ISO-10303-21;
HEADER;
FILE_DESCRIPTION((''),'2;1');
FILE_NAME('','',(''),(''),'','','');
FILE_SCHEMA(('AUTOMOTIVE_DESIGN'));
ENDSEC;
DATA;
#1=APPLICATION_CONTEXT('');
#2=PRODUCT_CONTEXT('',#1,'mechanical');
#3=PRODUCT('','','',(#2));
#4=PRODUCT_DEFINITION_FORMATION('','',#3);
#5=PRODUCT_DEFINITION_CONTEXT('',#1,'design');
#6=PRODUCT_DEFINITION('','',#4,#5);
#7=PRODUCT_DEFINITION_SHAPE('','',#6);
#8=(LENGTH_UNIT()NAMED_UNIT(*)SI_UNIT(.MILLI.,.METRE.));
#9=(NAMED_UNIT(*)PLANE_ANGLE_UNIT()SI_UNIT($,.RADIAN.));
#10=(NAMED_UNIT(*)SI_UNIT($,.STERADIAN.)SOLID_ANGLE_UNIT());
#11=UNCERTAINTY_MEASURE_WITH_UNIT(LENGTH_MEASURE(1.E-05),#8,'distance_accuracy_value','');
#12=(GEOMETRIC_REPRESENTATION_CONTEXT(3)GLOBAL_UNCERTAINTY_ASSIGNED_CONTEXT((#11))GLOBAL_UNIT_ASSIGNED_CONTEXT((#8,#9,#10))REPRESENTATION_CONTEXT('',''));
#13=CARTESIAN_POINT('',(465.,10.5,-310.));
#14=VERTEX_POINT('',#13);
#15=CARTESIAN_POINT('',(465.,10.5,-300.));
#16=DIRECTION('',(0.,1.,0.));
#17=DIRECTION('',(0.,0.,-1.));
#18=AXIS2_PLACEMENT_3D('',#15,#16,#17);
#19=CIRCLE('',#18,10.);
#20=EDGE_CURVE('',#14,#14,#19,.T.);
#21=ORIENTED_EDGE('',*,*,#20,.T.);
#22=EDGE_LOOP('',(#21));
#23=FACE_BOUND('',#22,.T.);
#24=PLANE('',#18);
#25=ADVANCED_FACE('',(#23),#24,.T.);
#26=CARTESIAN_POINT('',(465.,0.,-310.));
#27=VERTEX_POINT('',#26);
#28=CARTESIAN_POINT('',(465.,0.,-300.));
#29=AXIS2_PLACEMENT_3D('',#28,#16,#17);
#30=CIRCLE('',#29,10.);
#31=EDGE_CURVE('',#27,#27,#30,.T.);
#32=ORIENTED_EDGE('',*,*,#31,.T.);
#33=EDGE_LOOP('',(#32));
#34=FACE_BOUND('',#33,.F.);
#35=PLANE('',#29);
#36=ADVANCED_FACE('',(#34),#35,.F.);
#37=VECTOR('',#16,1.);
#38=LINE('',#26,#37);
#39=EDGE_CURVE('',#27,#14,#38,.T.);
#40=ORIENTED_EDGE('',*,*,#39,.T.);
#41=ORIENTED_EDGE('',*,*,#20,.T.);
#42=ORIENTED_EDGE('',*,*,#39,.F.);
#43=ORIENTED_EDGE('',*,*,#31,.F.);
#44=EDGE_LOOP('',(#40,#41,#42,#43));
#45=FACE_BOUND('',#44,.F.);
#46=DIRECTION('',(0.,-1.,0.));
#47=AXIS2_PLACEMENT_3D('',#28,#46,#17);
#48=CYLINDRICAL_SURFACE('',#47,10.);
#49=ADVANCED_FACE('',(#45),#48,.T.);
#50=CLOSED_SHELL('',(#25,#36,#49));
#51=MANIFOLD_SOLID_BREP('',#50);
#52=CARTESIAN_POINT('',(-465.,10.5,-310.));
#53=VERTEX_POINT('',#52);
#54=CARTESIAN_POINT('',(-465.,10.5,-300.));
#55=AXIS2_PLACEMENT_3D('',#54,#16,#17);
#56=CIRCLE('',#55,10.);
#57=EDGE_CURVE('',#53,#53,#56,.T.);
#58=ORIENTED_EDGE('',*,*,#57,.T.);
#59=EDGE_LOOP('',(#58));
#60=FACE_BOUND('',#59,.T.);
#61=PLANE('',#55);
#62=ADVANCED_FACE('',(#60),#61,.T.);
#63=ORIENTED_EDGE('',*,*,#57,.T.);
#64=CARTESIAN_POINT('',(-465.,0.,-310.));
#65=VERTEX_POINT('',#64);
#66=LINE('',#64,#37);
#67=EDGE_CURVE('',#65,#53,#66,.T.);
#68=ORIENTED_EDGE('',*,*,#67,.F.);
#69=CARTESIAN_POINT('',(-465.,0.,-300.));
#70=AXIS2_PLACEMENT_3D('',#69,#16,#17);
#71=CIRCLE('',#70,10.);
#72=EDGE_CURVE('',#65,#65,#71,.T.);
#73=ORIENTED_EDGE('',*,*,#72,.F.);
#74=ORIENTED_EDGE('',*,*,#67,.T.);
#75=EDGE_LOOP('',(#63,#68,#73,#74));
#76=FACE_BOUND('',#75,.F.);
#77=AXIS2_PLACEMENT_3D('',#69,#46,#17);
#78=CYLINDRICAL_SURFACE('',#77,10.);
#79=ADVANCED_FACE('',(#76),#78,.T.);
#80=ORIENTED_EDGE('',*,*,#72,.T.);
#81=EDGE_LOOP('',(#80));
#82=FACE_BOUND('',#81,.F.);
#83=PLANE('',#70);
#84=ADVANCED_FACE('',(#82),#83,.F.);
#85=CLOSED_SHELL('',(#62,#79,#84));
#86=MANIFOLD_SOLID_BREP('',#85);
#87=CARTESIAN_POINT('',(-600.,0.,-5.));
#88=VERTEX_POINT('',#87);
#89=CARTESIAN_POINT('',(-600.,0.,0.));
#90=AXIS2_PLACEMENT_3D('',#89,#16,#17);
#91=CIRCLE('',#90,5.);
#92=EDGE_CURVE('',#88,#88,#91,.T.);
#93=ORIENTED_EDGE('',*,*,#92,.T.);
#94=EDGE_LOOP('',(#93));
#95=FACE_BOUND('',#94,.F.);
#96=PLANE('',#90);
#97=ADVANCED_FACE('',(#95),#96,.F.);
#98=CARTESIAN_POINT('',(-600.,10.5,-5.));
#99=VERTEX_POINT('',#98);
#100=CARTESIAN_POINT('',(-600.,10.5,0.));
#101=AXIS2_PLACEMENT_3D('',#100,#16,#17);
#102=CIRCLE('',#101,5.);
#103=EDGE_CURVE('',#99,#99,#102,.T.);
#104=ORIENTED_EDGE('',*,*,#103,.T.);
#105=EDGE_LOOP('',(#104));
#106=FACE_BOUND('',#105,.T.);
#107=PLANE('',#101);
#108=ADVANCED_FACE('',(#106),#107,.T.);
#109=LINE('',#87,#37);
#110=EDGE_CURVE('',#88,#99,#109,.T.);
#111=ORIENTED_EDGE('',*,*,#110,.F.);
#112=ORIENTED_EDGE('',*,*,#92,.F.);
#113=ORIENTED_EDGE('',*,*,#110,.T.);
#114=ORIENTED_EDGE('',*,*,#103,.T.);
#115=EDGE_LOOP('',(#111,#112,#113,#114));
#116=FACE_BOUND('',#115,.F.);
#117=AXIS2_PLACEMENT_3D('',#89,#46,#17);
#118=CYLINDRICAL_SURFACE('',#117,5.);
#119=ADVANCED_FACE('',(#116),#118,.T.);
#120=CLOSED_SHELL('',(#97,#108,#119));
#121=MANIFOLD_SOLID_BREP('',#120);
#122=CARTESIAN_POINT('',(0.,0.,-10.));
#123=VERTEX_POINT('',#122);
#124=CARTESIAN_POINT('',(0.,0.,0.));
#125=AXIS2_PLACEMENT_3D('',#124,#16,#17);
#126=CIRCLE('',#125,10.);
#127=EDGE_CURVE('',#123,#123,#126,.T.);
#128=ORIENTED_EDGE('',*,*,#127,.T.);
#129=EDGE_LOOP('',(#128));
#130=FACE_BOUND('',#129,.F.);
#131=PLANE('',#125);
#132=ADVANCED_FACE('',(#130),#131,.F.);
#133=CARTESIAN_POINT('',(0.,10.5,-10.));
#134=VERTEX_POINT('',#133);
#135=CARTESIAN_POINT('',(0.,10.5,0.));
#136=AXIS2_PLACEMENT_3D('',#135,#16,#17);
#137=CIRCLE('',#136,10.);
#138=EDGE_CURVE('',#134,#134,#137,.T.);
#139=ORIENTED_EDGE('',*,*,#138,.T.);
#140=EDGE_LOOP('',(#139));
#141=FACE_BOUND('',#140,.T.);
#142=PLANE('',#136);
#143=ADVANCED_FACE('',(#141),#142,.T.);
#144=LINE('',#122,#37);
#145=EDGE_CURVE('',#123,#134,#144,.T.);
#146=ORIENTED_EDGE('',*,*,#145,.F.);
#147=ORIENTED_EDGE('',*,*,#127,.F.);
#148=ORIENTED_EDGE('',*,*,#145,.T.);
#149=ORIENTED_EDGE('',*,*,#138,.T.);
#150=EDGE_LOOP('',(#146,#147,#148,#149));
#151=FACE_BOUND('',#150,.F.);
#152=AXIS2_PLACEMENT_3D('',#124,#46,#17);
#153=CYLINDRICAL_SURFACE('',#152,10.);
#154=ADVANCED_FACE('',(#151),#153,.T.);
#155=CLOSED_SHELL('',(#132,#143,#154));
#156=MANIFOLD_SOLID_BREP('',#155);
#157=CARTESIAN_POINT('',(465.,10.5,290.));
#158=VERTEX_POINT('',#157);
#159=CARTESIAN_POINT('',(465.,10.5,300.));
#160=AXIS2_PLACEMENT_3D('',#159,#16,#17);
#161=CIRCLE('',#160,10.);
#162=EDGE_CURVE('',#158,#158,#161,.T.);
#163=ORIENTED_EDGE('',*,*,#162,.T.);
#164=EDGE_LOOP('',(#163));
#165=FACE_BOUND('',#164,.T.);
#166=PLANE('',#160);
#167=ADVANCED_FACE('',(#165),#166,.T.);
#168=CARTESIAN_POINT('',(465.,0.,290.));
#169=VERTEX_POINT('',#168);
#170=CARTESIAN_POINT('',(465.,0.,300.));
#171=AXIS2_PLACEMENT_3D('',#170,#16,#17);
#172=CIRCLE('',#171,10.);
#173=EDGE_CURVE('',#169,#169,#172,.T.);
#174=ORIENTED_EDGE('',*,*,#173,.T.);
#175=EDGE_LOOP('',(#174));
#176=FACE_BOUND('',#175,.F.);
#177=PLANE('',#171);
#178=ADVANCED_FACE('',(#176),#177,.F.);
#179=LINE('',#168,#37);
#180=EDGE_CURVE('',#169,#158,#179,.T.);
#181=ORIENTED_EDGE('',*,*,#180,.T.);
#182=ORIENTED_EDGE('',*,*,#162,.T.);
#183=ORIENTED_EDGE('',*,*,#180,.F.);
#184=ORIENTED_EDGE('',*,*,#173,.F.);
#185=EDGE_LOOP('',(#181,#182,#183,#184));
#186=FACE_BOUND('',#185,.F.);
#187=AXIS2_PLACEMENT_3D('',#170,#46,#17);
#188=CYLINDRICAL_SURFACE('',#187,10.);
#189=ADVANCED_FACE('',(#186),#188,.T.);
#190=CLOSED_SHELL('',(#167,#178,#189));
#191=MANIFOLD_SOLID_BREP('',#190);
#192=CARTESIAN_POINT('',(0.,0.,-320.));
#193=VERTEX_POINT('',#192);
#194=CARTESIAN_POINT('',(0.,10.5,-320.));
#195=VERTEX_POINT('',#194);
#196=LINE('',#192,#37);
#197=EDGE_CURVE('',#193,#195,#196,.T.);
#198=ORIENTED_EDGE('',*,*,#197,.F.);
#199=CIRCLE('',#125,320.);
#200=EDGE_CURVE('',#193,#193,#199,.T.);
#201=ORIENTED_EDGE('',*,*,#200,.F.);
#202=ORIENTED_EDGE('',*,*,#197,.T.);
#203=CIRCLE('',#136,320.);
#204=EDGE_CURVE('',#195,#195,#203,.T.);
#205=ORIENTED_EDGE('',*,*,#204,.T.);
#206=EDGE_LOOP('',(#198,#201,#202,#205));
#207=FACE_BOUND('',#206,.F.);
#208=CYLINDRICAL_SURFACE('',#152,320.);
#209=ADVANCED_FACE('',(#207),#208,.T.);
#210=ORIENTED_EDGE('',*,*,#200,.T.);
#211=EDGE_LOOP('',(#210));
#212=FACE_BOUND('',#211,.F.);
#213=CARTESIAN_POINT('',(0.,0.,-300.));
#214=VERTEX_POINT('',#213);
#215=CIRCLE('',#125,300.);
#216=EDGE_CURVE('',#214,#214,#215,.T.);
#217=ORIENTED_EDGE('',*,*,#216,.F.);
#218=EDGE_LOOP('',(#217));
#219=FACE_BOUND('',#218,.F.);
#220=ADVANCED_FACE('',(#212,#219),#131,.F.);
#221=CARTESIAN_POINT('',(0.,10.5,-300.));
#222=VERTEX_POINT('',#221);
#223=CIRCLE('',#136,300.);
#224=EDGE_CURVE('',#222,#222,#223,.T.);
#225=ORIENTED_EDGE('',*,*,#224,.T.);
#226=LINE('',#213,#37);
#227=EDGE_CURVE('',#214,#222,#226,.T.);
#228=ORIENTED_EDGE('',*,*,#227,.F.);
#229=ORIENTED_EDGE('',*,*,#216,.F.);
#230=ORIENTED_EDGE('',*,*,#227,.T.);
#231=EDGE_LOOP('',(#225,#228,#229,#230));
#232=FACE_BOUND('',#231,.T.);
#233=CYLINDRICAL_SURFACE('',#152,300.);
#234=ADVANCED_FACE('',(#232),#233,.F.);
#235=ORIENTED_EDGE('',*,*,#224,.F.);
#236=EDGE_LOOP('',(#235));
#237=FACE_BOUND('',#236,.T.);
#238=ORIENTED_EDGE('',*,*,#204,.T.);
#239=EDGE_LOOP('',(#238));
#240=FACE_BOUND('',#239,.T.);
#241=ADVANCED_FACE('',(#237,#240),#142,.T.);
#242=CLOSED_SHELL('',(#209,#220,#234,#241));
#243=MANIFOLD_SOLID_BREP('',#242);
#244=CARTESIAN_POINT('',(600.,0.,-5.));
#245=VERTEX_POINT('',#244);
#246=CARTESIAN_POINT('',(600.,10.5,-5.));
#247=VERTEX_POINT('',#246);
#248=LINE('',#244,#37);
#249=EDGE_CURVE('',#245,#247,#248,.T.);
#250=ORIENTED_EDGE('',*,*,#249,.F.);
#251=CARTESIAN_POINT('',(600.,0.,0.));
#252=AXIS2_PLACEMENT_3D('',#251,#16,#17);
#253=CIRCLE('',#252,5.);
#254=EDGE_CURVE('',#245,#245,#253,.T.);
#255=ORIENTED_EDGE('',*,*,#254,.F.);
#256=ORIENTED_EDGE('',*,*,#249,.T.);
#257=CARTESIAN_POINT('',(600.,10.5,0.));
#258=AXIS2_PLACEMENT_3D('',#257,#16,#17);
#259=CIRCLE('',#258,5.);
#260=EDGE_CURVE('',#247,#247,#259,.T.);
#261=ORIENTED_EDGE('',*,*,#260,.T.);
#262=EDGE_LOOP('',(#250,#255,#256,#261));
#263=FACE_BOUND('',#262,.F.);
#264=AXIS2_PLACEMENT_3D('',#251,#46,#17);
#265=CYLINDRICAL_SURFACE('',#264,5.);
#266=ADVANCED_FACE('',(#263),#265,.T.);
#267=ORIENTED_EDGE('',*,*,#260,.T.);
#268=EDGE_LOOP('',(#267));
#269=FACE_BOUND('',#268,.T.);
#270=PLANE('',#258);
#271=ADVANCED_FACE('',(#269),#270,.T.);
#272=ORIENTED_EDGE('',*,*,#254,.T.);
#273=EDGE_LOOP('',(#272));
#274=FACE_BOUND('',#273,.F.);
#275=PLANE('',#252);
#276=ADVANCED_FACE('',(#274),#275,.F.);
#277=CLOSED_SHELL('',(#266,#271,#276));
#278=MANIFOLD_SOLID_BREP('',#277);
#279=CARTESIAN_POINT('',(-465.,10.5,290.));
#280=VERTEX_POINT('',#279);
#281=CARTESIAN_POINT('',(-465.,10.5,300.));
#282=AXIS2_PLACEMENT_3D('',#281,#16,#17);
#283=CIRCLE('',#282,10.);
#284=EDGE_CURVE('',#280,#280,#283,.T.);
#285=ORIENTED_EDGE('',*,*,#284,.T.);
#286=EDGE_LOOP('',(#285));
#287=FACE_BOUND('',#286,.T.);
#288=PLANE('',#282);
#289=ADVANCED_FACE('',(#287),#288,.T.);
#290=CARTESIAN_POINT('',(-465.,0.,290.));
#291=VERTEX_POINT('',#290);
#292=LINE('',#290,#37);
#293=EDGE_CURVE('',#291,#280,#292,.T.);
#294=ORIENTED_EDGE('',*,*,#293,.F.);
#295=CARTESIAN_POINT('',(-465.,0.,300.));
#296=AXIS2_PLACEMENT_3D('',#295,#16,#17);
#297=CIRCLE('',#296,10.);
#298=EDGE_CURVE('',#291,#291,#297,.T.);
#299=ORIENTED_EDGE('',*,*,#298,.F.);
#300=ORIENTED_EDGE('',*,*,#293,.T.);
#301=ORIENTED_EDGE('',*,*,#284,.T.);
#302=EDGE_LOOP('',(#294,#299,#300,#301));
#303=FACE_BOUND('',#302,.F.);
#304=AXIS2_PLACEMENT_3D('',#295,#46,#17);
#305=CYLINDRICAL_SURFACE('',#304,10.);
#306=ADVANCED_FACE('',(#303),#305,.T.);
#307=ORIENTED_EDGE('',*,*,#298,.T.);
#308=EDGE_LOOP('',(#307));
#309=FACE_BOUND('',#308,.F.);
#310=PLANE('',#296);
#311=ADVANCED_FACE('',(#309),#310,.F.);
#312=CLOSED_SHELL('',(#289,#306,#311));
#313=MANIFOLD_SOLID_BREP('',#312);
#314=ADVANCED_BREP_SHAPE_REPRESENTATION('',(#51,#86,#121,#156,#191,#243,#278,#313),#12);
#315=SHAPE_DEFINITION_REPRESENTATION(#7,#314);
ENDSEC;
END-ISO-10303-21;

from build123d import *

# Parameters (mm, degrees)
SKETCH_1_R        = 10
EXTRUDE_1_DEPTH   = 10.5
EXTRUDE_1_2_DEPTH = 10.5
EXTRUDE_1_3_DEPTH = 10.5
EXTRUDE_1_4_DEPTH = 10.5
EXTRUDE_1_5_DEPTH = 10.5
SKETCH_1_R_2      = 5
EXTRUDE_1_6_DEPTH = 10.5
EXTRUDE_1_7_DEPTH = 10.5
SKETCH_1_R_3      = 320
SKETCH_1_R_4      = 300
EXTRUDE_1_8_DEPTH = 10.5


with BuildPart() as part:
    # Эскиз1 → Выдавливание1 (new body)
    with BuildSketch(Plane(origin=(0, 0, 0), x_dir=(-1, 0, 0), z_dir=(0, 1, 0))):
        with Locations(Location((-465, -300, 0), (0, 0, 270))):
            Circle(SKETCH_1_R)
    extrude(amount=EXTRUDE_1_DEPTH)


with BuildPart() as body_2:
    # Эскиз1 → Extrude 1 2 (new body)
    with BuildSketch(Plane(origin=(0, 0, 0), x_dir=(-1, 0, 0), z_dir=(0, 1, 0))):
        with Locations(Location((-465, 300, 0), (0, 0, 270))):
            Circle(SKETCH_1_R)
    extrude(amount=EXTRUDE_1_2_DEPTH)


with BuildPart() as body_3:
    # Эскиз1 → Extrude 1 3 (new body)
    with BuildSketch(Plane(origin=(0, 0, 0), x_dir=(-1, 0, 0), z_dir=(0, 1, 0))):
        with Locations(Location((465, 300, 0), (0, 0, 270))):
            Circle(SKETCH_1_R)
    extrude(amount=EXTRUDE_1_3_DEPTH)


with BuildPart() as body_4:
    # Эскиз1 → Extrude 1 4 (new body)
    with BuildSketch(Plane(origin=(0, 0, 0), x_dir=(-1, 0, 0), z_dir=(0, 1, 0))):
        with Locations(Location((0, 0, 0), (0, 0, 270))):
            Circle(SKETCH_1_R)
    extrude(amount=EXTRUDE_1_4_DEPTH)


with BuildPart() as body_5:
    # Эскиз1 → Extrude 1 5 (new body)
    with BuildSketch(Plane(origin=(0, 0, 0), x_dir=(-1, 0, 0), z_dir=(0, 1, 0))):
        with Locations(Location((465, -300, 0), (0, 0, 270))):
            Circle(SKETCH_1_R)
    extrude(amount=EXTRUDE_1_5_DEPTH)


with BuildPart() as body_6:
    # Эскиз1 → Extrude 1 6 (new body)
    with BuildSketch(Plane(origin=(0, 0, 0), x_dir=(-1, 0, 0), z_dir=(0, 1, 0))):
        with Locations(Location((-600, 0, 0), (0, 0, 270))):
            Circle(SKETCH_1_R_2)
    extrude(amount=EXTRUDE_1_6_DEPTH)


with BuildPart() as body_7:
    # Эскиз1 → Extrude 1 7 (new body)
    with BuildSketch(Plane(origin=(0, 0, 0), x_dir=(-1, 0, 0), z_dir=(0, 1, 0))):
        with Locations(Location((600, 0, 0), (0, 0, 270))):
            Circle(SKETCH_1_R_2)
    extrude(amount=EXTRUDE_1_7_DEPTH)


with BuildPart() as body_8:
    # Эскиз1 → Extrude 1 8 (new body)
    with BuildSketch(Plane(origin=(0, 0, 0), x_dir=(-1, 0, 0), z_dir=(0, 1, 0))):
        with Locations(Location((0, 0, 0), (0, 0, 270))):
            Circle(SKETCH_1_R_3)
        with Locations(Location((0, 0, 0), (0, 0, 270))):
            Circle(SKETCH_1_R_4, mode=Mode.SUBTRACT)
    extrude(amount=EXTRUDE_1_8_DEPTH)


solid = Compound([part.part, body_2.part, body_3.part, body_4.part, body_5.part, body_6.part, body_7.part, body_8.part])
